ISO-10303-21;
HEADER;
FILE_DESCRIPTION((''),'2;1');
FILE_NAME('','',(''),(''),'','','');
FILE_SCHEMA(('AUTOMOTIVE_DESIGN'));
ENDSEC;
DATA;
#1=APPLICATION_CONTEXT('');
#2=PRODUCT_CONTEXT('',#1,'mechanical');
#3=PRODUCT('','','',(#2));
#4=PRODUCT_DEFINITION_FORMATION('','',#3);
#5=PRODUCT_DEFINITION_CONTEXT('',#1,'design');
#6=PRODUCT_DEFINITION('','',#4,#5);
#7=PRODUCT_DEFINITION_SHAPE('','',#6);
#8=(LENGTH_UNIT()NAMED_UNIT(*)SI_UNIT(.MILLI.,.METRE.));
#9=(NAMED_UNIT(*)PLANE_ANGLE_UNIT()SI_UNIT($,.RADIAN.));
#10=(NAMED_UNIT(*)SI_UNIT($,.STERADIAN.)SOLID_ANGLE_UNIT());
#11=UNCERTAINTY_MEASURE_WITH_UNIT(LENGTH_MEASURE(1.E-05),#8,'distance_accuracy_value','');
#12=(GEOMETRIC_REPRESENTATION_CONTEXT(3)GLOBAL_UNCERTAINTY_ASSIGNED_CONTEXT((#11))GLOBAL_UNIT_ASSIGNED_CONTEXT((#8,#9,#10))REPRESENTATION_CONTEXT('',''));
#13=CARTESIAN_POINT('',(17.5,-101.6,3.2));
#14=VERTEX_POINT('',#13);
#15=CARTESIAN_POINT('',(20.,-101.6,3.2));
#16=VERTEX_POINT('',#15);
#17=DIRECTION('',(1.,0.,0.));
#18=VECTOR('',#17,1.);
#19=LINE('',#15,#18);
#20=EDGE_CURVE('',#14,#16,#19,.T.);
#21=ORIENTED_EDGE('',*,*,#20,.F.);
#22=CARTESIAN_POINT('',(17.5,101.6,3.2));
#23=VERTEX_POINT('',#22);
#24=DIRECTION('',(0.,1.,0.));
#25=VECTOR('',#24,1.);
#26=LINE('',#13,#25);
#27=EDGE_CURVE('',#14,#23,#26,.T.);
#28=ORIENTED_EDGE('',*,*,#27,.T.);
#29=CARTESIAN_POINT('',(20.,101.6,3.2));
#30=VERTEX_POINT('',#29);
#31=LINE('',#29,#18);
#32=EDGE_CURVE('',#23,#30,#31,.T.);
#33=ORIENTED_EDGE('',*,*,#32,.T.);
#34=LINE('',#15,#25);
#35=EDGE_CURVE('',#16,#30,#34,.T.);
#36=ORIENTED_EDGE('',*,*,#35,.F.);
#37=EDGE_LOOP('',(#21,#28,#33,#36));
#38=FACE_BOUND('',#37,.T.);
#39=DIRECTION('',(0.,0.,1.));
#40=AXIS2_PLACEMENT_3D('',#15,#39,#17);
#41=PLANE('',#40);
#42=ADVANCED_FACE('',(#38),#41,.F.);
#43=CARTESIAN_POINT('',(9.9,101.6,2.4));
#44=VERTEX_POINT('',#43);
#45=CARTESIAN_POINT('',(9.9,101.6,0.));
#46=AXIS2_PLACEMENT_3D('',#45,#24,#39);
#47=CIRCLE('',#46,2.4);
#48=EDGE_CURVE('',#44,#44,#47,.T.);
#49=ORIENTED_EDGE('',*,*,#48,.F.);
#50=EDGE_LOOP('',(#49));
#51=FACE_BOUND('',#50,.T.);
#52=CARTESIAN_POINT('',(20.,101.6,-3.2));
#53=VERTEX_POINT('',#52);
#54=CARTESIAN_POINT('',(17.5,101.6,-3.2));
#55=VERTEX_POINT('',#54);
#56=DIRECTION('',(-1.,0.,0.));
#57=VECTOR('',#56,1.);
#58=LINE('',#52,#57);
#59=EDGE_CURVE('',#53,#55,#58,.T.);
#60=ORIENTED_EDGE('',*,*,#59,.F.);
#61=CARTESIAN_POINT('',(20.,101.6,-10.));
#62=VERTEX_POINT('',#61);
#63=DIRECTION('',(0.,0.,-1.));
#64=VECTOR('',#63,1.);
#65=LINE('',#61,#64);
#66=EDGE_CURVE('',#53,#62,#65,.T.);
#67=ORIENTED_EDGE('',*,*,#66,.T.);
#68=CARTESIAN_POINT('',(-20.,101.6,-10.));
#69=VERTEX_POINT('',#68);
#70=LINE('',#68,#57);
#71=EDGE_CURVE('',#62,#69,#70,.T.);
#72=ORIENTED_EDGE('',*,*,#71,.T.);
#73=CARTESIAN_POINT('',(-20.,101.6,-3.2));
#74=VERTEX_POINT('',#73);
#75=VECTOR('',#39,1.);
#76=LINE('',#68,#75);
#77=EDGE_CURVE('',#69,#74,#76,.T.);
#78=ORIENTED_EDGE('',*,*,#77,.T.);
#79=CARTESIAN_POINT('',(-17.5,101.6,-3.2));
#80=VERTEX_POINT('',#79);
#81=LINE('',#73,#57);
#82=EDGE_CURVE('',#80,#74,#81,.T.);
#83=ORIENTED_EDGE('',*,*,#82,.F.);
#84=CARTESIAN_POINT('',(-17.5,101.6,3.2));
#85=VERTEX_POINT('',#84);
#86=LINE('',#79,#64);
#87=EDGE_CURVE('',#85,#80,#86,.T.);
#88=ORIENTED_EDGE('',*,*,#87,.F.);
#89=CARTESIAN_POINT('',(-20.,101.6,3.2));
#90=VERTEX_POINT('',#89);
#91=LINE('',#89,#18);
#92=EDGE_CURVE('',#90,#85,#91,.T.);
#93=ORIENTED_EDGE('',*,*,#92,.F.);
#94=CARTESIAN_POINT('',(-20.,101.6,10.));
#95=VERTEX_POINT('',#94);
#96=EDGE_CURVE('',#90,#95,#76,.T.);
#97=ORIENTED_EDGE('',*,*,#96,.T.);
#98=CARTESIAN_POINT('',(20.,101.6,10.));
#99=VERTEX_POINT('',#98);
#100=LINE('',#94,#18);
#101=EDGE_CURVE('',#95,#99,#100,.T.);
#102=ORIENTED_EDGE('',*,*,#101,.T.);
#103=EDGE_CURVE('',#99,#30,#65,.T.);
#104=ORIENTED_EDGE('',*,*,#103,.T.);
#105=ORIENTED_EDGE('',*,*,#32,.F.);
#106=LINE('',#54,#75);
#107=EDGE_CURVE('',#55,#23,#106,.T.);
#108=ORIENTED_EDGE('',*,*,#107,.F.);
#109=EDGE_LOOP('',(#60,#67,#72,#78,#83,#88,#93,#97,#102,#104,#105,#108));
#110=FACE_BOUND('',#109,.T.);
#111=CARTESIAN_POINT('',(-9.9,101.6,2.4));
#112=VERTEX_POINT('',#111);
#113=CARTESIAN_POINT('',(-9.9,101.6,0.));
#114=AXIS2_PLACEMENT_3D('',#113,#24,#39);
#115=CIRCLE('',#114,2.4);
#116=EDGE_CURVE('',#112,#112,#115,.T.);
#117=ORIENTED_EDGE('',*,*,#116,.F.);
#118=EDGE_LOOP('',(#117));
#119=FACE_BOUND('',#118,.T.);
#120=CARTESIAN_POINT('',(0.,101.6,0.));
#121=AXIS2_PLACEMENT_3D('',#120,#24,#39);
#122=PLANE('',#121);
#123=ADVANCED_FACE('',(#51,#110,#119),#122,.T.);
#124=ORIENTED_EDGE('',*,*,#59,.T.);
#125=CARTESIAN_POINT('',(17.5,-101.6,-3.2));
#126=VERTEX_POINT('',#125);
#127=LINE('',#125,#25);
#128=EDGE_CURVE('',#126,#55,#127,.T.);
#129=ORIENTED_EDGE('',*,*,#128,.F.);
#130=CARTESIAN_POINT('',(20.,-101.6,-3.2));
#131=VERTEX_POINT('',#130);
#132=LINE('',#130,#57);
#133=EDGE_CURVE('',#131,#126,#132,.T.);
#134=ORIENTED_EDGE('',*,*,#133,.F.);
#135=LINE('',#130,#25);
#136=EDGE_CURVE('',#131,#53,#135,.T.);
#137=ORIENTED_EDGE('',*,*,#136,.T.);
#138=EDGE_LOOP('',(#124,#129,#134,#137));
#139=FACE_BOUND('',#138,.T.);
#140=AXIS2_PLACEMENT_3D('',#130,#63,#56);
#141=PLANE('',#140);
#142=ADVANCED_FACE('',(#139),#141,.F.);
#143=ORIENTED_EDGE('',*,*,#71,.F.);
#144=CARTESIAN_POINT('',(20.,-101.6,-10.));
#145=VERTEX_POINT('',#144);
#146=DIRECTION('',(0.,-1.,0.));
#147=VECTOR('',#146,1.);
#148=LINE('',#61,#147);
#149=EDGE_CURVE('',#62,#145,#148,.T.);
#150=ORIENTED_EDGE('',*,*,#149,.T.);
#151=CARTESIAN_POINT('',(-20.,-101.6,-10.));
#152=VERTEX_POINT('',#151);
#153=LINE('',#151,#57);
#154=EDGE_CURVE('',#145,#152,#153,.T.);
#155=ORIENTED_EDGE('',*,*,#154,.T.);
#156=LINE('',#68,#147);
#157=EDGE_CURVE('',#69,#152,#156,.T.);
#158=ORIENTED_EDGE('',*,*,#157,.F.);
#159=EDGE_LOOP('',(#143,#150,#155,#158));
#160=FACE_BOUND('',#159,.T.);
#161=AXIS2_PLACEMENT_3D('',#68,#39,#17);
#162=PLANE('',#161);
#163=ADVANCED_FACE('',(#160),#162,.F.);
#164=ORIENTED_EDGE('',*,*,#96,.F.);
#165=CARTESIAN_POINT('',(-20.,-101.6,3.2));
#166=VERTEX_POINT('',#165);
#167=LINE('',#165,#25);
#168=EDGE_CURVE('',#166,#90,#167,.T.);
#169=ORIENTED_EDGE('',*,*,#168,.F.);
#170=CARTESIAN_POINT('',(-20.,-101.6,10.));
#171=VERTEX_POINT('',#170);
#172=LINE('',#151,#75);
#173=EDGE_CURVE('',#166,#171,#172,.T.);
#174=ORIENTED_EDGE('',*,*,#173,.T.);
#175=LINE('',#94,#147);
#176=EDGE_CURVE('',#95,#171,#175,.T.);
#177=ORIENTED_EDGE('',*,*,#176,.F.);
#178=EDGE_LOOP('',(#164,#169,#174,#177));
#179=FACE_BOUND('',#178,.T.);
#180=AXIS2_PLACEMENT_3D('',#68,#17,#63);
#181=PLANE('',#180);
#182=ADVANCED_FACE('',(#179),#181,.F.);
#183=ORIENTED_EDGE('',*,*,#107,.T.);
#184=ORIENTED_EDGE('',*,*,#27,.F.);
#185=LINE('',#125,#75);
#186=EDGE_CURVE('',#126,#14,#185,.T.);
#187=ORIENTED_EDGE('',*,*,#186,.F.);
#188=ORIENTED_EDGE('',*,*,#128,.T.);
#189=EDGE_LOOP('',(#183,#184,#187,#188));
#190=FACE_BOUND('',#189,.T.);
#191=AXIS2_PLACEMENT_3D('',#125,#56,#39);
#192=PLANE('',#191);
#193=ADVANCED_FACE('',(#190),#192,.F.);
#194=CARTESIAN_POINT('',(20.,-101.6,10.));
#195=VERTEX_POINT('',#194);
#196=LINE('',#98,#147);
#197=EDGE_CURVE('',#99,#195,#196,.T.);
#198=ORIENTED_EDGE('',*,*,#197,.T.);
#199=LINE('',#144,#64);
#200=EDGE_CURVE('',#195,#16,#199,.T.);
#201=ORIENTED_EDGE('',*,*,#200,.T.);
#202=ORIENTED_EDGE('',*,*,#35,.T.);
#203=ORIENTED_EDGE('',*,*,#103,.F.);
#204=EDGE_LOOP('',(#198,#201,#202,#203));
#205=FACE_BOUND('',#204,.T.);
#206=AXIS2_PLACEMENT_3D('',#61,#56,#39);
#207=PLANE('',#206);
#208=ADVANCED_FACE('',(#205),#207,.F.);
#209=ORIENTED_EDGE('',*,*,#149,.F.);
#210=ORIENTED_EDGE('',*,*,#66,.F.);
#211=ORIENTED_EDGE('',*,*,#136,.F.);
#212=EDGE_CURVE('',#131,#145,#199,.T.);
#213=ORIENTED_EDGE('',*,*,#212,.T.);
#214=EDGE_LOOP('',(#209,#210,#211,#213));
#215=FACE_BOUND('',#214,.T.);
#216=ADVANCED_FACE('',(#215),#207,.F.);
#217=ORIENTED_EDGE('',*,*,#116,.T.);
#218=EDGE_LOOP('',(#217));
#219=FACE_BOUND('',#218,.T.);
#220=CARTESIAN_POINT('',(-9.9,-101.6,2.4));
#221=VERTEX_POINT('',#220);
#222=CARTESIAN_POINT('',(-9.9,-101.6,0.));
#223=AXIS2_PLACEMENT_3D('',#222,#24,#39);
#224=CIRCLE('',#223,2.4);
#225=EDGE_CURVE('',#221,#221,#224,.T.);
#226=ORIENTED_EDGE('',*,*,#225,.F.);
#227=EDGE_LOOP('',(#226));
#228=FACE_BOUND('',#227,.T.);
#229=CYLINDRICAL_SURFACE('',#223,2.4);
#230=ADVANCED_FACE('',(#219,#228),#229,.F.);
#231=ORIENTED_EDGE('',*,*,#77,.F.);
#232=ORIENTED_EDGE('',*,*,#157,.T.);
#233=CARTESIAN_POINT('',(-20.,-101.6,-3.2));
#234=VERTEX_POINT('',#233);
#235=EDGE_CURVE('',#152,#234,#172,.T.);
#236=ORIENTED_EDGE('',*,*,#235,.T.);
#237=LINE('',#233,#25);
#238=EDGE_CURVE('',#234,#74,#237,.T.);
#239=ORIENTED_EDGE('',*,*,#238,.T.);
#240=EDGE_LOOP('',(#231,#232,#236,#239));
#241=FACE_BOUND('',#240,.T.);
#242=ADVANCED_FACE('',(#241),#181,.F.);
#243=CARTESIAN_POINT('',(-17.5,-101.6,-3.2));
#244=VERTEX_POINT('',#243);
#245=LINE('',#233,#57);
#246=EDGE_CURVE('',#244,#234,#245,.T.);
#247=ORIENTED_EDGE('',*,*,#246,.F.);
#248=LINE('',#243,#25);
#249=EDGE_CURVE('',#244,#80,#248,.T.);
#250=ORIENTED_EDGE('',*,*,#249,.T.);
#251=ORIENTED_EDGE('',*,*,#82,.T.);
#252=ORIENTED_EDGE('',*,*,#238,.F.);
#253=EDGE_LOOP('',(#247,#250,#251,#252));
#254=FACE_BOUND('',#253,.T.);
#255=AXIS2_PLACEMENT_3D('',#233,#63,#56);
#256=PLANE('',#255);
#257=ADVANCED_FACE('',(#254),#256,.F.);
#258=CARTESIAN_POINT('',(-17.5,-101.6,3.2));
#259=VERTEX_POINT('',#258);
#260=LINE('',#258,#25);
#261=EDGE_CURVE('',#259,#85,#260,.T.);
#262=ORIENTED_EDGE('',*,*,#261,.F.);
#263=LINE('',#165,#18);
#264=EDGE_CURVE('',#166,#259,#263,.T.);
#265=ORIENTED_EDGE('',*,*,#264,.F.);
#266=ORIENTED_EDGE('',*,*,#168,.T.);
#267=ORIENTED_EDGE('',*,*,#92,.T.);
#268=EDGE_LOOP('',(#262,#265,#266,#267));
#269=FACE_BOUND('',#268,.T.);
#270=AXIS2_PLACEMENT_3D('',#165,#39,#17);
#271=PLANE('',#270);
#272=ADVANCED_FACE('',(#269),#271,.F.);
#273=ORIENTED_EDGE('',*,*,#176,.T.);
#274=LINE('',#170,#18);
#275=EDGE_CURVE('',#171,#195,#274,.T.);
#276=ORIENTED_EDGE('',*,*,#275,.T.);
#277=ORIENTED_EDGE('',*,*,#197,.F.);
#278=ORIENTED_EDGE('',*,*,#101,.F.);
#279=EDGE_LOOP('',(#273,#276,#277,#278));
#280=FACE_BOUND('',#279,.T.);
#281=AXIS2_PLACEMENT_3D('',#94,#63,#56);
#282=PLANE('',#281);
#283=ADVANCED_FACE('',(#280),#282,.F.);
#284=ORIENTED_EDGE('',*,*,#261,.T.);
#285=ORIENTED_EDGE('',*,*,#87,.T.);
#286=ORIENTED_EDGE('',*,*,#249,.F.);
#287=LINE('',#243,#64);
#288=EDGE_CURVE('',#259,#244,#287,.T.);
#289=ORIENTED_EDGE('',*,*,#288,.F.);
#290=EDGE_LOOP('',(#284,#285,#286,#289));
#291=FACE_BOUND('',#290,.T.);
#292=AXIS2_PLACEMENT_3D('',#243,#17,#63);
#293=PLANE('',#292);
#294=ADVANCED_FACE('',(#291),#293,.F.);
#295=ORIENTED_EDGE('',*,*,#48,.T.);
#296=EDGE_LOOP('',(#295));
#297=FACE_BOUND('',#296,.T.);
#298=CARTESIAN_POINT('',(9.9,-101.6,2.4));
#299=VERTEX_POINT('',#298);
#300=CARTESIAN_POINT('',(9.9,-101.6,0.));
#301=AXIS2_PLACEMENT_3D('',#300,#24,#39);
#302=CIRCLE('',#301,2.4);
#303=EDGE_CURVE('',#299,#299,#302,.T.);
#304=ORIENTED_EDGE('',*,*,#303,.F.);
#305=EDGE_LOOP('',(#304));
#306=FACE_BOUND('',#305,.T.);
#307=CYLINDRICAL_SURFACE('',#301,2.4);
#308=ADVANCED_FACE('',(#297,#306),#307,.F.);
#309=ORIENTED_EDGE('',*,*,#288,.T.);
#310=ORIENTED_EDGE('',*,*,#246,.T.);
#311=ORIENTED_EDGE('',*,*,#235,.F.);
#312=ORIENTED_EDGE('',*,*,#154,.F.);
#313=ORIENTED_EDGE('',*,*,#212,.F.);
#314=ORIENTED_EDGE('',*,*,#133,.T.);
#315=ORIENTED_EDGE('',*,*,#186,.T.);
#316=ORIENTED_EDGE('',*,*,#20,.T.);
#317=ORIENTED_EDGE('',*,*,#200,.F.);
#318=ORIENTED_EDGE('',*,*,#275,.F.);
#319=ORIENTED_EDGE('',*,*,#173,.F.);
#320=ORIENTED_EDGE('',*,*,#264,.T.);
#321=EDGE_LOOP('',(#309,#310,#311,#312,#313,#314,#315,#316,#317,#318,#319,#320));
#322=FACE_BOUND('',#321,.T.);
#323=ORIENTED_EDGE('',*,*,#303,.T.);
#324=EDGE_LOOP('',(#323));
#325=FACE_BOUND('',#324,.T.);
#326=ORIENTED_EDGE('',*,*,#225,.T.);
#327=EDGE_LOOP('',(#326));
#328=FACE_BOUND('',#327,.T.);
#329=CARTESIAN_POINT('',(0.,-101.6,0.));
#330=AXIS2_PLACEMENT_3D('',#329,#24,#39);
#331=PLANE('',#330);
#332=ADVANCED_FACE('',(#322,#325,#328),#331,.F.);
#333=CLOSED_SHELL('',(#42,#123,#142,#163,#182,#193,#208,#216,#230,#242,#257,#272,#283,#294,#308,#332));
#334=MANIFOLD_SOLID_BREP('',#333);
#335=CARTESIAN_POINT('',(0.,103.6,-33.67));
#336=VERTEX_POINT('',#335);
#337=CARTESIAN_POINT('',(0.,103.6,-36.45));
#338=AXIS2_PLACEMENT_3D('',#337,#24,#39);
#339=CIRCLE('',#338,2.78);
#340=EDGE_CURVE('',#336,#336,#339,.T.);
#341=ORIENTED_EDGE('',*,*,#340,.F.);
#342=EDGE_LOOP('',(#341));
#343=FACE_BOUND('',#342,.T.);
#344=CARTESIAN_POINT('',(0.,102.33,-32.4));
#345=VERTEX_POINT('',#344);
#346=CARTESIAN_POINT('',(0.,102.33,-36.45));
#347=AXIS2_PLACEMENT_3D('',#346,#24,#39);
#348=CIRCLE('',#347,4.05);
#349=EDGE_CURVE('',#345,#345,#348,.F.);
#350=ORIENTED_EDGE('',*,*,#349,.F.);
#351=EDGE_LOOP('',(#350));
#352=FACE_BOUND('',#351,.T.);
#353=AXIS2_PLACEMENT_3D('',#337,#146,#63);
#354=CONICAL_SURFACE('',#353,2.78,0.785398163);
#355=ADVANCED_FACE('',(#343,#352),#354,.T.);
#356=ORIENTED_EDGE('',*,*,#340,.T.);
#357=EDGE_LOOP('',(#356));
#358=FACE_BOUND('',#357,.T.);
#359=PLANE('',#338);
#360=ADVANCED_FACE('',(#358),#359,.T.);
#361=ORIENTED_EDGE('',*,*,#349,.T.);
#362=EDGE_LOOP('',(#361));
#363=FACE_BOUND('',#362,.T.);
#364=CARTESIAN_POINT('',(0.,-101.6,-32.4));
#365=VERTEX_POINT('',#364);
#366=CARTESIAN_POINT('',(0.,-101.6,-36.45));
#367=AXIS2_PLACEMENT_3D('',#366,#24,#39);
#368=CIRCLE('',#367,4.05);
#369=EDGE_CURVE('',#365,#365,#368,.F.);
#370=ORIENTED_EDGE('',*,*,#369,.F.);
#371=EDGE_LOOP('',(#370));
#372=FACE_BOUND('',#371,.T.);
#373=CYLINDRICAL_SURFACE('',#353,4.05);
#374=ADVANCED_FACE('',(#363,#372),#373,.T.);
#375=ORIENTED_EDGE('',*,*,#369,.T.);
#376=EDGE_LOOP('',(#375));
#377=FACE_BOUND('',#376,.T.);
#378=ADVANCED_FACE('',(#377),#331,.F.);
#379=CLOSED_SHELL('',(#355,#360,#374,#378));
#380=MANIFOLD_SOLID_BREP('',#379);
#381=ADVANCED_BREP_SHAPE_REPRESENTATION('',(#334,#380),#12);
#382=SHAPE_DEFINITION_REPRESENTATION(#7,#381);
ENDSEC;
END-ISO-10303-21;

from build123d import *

# Parameters (mm, degrees)
SKETCH1_W                = 40
SKETCH1_H                = 20
BOSS_EXTRUDE1_DEPTH      = 101.6
SKETCH2_W                = 2.5
SKETCH2_H                = 6.4
CUT_EXTRUDE1_DEPTH       = 204.2
SKETCH3_R                = 2.4
CUT_EXTRUDE2_DEPTH       = 204.2
SKETCH4_R                = 4.05
BOSS_EXTRUDE2_DEPTH      = 2
BOSS_EXTRUDE2_DEPTH_BACK = 203.2
CHAMFER1_SIZE            = 1.27


with BuildPart() as part:
    # Sketch1 → Boss-Extrude1 (new body, symmetric)
    with BuildSketch(Plane(origin=(0, 0, 0), x_dir=(1, 0, 0), z_dir=(0, 1, 0))):
        Rectangle(SKETCH1_W, SKETCH1_H)
    extrude(amount=BOSS_EXTRUDE1_DEPTH, both=True)

    # Sketch2 → Cut-Extrude1 (cut, through all)
    with BuildSketch(Plane(origin=(0, 101.6, 0), x_dir=(1, 0, 0), z_dir=(0, 1, 0))):
        with Locations((-18.75, 0)):
            Rectangle(SKETCH2_W, SKETCH2_H)
        with Locations((18.75, 0)):
            Rectangle(SKETCH2_W, SKETCH2_H)
    extrude(amount=-CUT_EXTRUDE1_DEPTH, mode=Mode.SUBTRACT)

    # Sketch3 → Cut-Extrude2 (cut, through all)
    with BuildSketch(Plane(origin=(0, 101.6, 0), x_dir=(1, 0, 0), z_dir=(0, 1, 0))):
        with Locations((-9.9, 0)):
            Circle(SKETCH3_R)
        with Locations((9.9, 0)):
            Circle(SKETCH3_R)
    extrude(amount=-CUT_EXTRUDE2_DEPTH, mode=Mode.SUBTRACT)


with BuildPart() as body_2:
    # Sketch4 → Boss-Extrude2 (new body, two sides)
    with BuildSketch(Plane(origin=(0, 101.6, 0), x_dir=(1, 0, 0), z_dir=(0, 1, 0))) as boss_extrude2_sk:
        with Locations((0, 36.45)):
            Circle(SKETCH4_R)
    extrude(amount=BOSS_EXTRUDE2_DEPTH)
    extrude(boss_extrude2_sk.sketch, amount=-BOSS_EXTRUDE2_DEPTH_BACK)

    # Chamfer1
    chamfer1_edges = [body_2.edges().sort_by_distance(p)[0] for p in [
        (-4.05, 103.6, -36.45),
    ]]
    chamfer(chamfer1_edges, length=CHAMFER1_SIZE)


solid = Compound([part.part, body_2.part])
